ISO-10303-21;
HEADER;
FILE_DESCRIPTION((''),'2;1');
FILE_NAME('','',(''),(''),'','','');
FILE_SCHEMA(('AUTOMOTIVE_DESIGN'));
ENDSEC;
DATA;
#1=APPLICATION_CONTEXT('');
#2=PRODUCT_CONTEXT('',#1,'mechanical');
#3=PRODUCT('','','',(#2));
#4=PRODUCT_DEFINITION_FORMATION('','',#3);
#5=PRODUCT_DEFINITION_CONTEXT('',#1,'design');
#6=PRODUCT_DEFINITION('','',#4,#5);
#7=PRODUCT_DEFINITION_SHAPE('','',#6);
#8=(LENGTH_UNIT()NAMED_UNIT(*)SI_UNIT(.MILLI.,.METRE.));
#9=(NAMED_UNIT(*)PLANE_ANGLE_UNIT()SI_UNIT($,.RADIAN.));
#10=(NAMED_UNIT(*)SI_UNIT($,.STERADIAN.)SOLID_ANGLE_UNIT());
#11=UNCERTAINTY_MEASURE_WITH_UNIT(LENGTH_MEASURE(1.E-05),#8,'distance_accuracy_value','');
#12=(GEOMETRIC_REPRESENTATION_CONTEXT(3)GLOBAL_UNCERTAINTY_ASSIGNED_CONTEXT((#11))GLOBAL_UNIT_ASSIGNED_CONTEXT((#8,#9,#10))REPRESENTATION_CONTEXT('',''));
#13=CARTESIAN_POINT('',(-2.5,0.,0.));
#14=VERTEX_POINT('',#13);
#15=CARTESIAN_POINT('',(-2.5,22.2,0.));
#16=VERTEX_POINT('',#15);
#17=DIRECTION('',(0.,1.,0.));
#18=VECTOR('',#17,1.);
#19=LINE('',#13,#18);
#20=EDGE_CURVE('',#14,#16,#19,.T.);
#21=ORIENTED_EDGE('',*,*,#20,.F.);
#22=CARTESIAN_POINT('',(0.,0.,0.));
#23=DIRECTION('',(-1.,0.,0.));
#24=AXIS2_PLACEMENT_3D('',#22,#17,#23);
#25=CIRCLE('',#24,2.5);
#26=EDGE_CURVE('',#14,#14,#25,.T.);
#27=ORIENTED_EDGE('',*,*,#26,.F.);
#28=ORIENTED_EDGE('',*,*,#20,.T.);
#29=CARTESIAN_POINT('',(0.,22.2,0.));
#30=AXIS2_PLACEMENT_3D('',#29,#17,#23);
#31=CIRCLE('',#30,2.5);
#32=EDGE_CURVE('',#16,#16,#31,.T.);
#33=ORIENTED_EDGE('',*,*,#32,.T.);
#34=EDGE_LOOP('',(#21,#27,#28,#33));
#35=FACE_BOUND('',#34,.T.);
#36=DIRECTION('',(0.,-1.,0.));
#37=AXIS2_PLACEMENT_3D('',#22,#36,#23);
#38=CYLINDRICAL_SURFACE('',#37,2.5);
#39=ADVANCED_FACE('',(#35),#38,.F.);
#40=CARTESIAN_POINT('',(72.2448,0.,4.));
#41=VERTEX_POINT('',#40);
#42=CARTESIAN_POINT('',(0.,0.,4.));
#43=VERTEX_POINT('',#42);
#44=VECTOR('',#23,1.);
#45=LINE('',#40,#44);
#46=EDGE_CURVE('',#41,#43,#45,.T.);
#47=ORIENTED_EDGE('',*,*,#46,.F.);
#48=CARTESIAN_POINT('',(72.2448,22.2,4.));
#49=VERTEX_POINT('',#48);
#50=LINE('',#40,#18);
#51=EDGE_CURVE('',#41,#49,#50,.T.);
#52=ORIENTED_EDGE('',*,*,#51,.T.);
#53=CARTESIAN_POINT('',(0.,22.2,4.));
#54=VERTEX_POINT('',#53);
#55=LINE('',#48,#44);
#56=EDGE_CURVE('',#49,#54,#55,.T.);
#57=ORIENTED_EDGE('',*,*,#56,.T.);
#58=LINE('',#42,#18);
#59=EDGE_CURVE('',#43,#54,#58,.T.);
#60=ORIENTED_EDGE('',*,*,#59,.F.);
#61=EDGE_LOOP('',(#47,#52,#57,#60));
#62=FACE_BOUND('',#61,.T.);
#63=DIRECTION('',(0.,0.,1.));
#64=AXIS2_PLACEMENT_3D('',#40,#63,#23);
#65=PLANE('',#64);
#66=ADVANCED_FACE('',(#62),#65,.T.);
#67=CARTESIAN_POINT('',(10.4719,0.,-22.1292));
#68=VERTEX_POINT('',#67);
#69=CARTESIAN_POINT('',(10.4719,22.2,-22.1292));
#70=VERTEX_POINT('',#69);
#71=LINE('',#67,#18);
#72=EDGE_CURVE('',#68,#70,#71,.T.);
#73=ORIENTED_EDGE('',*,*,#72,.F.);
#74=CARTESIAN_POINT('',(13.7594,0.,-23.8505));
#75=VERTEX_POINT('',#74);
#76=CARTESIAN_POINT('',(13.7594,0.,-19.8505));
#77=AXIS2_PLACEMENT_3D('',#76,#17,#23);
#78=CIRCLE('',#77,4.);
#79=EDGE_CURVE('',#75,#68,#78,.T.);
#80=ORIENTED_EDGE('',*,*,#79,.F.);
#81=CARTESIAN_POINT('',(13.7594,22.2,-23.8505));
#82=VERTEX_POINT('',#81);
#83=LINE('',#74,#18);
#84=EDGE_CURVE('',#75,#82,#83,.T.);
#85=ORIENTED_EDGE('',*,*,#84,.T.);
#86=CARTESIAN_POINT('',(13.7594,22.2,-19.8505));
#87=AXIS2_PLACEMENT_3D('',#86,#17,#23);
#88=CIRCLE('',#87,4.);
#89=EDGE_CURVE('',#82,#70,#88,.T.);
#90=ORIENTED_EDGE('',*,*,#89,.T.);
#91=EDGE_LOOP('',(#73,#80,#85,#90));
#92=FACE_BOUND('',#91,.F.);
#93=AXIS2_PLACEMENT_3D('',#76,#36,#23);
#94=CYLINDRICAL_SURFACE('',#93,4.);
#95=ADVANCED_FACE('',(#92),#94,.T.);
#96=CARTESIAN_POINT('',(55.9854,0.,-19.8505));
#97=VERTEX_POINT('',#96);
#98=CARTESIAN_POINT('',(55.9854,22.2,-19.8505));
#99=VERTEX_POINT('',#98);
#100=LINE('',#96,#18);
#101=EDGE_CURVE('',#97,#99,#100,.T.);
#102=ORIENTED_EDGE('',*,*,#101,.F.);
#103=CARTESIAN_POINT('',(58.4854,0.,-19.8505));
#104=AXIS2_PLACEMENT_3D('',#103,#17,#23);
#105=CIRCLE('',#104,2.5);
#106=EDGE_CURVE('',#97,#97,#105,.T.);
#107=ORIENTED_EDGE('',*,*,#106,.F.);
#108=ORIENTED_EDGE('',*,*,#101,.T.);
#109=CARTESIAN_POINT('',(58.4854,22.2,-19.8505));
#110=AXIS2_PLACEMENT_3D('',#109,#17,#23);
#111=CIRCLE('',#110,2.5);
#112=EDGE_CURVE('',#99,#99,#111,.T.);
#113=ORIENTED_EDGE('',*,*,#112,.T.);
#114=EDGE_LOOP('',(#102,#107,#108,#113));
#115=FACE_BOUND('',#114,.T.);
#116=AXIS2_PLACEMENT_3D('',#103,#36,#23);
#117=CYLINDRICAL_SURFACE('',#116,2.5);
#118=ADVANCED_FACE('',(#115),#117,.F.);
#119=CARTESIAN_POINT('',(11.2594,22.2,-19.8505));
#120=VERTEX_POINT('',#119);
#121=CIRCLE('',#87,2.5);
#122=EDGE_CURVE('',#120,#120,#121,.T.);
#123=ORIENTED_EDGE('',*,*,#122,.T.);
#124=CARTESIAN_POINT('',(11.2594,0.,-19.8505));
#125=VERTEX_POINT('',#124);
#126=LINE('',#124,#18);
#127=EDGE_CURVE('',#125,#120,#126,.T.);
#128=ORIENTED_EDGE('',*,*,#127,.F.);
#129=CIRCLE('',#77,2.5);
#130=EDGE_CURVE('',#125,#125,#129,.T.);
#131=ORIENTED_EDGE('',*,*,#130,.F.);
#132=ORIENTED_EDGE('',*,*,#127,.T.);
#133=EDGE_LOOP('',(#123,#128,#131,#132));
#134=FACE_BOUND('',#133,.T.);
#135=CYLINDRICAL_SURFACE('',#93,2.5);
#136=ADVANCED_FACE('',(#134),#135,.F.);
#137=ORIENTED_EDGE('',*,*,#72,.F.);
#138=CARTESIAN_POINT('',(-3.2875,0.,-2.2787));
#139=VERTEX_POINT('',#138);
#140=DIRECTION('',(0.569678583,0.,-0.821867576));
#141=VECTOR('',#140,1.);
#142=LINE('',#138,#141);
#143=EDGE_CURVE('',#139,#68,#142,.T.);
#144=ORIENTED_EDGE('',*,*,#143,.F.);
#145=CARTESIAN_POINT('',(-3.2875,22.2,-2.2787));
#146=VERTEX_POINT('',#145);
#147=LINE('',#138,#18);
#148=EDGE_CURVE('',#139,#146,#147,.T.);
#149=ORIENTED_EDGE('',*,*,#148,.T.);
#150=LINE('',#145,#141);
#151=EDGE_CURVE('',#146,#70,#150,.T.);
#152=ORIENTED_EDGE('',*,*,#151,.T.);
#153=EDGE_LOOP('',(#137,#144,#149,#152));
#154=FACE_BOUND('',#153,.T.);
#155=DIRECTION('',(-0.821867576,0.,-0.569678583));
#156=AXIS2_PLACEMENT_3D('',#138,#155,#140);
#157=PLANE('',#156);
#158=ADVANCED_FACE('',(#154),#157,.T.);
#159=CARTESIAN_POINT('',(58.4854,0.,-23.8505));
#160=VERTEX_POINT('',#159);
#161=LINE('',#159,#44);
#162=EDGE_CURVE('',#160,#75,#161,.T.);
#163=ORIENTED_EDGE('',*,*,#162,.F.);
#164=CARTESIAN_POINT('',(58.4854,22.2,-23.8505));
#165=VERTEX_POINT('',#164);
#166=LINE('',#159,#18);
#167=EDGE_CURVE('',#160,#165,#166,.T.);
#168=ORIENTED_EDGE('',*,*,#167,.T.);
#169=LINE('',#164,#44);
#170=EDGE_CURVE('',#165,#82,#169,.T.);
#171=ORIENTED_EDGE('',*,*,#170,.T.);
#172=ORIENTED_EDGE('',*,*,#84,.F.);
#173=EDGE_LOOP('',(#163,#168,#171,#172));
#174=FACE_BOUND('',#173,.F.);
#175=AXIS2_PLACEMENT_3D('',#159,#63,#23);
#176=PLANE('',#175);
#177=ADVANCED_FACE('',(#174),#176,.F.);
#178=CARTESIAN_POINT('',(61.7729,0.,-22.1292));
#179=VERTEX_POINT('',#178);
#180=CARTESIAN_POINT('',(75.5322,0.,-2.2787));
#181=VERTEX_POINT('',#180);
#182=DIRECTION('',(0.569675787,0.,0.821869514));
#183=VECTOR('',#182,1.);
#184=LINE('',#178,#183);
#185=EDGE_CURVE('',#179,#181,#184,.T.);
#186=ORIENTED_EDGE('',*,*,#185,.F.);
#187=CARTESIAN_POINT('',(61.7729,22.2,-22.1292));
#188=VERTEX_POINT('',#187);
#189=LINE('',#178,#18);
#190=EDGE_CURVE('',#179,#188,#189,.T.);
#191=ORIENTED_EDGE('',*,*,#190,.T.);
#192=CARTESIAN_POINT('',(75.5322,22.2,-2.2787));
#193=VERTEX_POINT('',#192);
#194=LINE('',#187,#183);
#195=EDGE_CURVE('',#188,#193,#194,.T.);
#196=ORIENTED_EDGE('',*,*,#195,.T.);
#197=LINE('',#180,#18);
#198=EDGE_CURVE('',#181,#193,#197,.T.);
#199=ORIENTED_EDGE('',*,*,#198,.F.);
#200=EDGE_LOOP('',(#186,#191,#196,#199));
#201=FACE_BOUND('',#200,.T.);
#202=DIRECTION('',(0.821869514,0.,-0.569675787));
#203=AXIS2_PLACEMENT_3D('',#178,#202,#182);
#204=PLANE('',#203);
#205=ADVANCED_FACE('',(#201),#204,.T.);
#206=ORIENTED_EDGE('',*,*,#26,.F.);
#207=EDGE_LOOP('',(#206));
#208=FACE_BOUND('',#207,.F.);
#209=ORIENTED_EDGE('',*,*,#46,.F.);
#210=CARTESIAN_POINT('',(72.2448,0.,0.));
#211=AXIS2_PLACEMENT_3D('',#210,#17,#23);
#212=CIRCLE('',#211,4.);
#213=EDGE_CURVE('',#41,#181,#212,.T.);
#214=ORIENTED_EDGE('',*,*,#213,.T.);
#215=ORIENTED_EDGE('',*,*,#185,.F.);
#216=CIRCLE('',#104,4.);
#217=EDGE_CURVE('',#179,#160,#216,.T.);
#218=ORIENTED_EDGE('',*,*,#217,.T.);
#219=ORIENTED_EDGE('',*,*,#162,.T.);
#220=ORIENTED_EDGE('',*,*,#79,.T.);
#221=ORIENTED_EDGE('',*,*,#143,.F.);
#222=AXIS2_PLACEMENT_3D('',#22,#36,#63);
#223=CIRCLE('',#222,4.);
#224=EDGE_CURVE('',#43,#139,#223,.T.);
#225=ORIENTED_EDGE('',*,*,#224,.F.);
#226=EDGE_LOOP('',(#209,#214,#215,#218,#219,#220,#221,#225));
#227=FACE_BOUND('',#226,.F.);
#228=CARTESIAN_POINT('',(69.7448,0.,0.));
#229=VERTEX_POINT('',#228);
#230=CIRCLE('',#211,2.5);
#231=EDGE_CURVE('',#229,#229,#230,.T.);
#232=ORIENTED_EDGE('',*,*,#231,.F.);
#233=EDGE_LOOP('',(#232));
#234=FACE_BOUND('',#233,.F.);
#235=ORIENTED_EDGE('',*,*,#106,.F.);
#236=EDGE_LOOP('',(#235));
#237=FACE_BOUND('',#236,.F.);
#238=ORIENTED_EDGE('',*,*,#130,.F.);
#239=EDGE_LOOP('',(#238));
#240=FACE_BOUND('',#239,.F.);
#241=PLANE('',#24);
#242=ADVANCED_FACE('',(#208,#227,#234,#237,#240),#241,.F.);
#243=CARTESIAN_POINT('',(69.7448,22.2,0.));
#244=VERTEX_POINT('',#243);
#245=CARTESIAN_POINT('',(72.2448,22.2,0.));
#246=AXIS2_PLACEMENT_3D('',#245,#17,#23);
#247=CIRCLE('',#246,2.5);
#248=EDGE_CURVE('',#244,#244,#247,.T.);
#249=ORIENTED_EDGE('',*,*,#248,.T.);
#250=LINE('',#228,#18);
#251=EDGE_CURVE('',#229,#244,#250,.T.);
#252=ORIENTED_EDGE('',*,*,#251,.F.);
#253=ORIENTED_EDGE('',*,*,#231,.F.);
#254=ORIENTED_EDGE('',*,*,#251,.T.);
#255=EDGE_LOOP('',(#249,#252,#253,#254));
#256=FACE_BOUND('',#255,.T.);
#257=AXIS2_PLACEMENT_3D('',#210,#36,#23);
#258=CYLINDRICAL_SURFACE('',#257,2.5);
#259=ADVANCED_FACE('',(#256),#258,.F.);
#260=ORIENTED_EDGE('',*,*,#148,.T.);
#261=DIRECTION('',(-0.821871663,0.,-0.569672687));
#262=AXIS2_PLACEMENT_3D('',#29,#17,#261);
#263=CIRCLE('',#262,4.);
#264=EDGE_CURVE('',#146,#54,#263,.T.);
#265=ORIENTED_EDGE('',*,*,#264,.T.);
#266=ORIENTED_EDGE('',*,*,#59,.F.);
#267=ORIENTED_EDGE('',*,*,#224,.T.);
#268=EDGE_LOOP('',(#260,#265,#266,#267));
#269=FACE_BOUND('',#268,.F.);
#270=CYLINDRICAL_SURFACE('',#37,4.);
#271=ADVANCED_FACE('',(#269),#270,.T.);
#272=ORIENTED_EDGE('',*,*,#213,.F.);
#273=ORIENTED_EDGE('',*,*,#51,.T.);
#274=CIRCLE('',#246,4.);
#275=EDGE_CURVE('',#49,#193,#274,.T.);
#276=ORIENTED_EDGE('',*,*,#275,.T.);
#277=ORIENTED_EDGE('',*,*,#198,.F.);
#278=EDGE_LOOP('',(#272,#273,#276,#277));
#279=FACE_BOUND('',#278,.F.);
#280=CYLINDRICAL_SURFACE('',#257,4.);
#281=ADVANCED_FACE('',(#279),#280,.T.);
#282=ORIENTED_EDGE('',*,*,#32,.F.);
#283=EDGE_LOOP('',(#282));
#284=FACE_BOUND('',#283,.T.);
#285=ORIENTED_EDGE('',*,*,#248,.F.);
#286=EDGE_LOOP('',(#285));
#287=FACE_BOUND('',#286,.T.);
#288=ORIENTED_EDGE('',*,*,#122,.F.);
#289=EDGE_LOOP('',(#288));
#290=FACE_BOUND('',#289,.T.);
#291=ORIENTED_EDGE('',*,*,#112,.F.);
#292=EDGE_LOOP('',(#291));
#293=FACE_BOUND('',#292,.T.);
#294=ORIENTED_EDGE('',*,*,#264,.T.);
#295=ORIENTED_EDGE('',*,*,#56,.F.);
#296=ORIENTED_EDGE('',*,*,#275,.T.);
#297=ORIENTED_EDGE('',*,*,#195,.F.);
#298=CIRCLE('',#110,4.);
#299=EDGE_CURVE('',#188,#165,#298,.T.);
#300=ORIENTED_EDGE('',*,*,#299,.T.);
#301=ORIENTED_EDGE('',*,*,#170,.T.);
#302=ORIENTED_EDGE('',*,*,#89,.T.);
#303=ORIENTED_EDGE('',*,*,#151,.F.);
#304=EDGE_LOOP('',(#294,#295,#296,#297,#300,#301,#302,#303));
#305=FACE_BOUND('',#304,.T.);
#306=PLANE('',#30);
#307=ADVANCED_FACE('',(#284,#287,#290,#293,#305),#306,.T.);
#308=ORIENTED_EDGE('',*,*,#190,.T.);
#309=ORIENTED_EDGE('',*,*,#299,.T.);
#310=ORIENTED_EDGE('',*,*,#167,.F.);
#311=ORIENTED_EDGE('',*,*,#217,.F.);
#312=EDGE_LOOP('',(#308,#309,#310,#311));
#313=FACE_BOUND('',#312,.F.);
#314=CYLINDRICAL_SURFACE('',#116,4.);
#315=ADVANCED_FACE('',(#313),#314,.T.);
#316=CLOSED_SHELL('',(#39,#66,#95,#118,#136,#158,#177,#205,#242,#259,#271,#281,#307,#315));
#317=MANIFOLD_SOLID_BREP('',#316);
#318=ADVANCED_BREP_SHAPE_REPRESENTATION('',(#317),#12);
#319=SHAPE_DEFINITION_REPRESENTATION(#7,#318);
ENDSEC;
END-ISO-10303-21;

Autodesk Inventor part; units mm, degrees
ref_plane "YZ Plane" through (0, 0, 0) normal (1, 0, 0) x (0, 1, 0)
ref_plane "XZ Plane" through (0, 0, 0) normal (0, 1, 0) x (-1, 0, 0)
ref_plane "XY Plane" through (0, 0, 0) normal (0, 0, 1) x (1, 0, 0)
sketch "Sketch1" plane through (0, 0, 0) normal (0, 1, 0) x (-1, 0, 0)
  circle A0 centre (-72.2448, 0) radius 2.5
  circle A1 centre (-58.4854, -19.8505) radius 2.5
  circle A2 centre (0, 0) radius 2.5
  circle A3 centre (-13.7594, -19.8505) radius 2.5
  line L0 (-54.1974, 5.6029) -> (-18.0474, 5.6029)
  line L1 (-54.1974, 41.7529) -> (-54.1974, 5.6029)
  line L2 (-18.0474, 5.6029) -> (-18.0474, 41.7529)
  line L3 (-18.0474, 41.7529) -> (-54.1974, 41.7529)
sketch "Sketch2" plane through (0, 0, 0) normal (0, 1, 0) x (-1, 0, 0)
  circle A0 centre (-72.2448, 0) radius 2.5 projected
  circle A1 centre (-58.4854, -19.8505) radius 2.5 projected
  circle A2 centre (-13.7594, -19.8505) radius 2.5 projected
  circle A3 centre (0, 0) radius 2.5 projected
  circle A4 centre (-72.2448, 0) radius 4
  circle A5 centre (-58.4854, -19.8505) radius 4
  circle A6 centre (-13.7594, -19.8505) radius 4
  circle A7 centre (0, 0) radius 4
  line L0 (-58.4854, -23.8505) -> (-13.7594, -23.8505)
  line L1 (3.2875, -2.2787) -> (-10.4719, -22.1292)
  line L2 (-61.7729, -22.1292) -> (-75.5322, -2.2787)
  line L3 (-72.2448, 4) -> (0, 4)
  dimension "d0" = 8
  dimension "d1" = 8
  dimension "d2" = 8
  dimension "d3" = 8
extrude "Extrusion1" add sketch "Sketch2" along normal blind 22.2
properties part number "pre camera mount block"
